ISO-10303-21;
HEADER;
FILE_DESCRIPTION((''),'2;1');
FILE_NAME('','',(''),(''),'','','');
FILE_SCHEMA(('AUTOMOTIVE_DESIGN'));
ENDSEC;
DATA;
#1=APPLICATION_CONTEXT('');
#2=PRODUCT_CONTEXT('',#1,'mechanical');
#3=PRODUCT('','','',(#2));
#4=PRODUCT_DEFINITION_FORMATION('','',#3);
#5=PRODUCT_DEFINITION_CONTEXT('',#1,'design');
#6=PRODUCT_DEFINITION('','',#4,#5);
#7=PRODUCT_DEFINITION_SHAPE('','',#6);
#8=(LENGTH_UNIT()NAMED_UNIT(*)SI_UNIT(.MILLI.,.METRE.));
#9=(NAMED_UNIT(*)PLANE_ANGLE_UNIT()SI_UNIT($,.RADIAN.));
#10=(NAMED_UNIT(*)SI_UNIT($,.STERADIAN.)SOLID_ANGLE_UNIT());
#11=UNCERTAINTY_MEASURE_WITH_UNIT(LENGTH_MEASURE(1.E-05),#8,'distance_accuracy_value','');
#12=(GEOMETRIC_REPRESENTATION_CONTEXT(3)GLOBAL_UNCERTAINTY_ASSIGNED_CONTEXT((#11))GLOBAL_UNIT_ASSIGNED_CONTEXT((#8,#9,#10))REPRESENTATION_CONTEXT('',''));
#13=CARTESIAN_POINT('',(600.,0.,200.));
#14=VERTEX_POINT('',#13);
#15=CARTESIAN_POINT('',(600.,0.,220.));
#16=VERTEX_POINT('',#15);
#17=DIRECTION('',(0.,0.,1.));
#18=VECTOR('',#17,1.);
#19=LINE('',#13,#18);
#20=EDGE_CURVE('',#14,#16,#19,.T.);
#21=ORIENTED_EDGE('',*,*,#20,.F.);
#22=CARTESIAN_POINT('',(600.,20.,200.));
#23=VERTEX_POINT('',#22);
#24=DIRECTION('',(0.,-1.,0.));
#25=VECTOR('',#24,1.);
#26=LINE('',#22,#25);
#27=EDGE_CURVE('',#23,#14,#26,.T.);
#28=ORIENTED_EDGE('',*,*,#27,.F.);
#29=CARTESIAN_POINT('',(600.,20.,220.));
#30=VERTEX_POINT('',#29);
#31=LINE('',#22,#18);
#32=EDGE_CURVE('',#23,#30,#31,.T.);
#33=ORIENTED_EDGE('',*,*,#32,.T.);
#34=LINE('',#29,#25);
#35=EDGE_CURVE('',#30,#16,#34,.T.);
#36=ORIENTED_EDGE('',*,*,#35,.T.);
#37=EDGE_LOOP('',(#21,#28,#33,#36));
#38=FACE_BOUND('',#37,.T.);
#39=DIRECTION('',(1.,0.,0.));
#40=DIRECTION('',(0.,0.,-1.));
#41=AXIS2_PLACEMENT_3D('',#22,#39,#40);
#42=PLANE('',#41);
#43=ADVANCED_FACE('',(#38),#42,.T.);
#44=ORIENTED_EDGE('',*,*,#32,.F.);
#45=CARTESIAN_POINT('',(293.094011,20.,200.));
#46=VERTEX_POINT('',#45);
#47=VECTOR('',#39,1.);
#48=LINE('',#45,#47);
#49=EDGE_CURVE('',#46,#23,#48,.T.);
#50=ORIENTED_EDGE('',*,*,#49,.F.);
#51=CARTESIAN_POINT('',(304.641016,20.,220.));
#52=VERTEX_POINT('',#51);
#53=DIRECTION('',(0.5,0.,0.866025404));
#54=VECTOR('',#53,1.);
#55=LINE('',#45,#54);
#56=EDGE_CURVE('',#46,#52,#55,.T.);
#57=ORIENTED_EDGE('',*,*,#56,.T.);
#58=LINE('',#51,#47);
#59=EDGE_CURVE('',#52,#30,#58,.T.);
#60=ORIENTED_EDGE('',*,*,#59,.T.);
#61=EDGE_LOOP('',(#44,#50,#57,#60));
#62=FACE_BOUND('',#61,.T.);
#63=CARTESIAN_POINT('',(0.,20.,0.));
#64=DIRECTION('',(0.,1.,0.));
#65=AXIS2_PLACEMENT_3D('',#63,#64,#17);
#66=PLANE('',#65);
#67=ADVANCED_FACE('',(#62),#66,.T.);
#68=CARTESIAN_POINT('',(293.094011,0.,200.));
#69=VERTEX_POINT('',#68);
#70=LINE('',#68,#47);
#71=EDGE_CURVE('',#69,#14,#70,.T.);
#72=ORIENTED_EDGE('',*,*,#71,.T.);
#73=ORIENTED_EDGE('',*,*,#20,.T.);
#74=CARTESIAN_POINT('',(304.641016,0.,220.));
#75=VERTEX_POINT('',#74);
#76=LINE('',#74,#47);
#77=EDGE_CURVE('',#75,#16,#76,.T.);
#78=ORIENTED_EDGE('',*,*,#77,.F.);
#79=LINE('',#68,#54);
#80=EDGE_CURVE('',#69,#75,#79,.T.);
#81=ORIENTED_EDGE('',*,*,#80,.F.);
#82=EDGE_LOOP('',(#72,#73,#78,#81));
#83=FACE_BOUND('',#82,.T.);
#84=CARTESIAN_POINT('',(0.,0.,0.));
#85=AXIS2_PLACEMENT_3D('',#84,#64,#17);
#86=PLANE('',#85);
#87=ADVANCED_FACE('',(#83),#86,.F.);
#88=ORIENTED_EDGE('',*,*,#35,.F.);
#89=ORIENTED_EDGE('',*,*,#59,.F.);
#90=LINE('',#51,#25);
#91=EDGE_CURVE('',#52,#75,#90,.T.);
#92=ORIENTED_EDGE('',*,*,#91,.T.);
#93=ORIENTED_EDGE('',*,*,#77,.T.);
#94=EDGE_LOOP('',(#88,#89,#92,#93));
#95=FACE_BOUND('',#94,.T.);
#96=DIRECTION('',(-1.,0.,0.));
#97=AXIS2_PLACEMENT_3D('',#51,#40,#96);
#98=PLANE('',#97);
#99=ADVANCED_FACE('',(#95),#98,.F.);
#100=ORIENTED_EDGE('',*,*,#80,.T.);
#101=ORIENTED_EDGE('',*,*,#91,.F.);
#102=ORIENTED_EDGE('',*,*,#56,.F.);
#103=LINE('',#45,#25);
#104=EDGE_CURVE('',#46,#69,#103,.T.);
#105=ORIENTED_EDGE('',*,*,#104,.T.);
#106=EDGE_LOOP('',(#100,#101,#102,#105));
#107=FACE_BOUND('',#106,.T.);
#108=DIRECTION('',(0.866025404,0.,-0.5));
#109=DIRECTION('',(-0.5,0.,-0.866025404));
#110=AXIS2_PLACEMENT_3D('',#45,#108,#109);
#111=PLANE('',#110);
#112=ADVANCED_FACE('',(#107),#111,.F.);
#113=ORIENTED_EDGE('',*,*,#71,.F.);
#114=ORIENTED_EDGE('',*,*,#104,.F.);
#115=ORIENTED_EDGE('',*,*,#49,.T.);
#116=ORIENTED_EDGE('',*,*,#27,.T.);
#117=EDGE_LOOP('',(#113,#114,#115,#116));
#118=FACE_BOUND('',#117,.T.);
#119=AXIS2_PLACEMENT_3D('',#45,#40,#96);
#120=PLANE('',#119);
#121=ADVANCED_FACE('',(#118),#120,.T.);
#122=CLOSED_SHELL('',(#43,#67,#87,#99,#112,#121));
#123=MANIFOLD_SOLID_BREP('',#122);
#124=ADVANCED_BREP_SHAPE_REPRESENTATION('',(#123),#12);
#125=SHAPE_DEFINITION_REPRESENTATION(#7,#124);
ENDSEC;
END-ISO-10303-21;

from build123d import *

# Parameters (mm, degrees)
EXTRUDE_1_DEPTH = 20


with BuildPart() as part:
    # 草图1 → 凸台-拉伸1 (new body)
    with BuildSketch(Plane(origin=(0, 0, 0), x_dir=(1, 0, 0), z_dir=(0, 1, 0))):
        Polygon((293.094010768, -200), (600, -200), (600, -220), (304.641016151, -220), align=None)
    extrude(amount=EXTRUDE_1_DEPTH)


solid = part.part
